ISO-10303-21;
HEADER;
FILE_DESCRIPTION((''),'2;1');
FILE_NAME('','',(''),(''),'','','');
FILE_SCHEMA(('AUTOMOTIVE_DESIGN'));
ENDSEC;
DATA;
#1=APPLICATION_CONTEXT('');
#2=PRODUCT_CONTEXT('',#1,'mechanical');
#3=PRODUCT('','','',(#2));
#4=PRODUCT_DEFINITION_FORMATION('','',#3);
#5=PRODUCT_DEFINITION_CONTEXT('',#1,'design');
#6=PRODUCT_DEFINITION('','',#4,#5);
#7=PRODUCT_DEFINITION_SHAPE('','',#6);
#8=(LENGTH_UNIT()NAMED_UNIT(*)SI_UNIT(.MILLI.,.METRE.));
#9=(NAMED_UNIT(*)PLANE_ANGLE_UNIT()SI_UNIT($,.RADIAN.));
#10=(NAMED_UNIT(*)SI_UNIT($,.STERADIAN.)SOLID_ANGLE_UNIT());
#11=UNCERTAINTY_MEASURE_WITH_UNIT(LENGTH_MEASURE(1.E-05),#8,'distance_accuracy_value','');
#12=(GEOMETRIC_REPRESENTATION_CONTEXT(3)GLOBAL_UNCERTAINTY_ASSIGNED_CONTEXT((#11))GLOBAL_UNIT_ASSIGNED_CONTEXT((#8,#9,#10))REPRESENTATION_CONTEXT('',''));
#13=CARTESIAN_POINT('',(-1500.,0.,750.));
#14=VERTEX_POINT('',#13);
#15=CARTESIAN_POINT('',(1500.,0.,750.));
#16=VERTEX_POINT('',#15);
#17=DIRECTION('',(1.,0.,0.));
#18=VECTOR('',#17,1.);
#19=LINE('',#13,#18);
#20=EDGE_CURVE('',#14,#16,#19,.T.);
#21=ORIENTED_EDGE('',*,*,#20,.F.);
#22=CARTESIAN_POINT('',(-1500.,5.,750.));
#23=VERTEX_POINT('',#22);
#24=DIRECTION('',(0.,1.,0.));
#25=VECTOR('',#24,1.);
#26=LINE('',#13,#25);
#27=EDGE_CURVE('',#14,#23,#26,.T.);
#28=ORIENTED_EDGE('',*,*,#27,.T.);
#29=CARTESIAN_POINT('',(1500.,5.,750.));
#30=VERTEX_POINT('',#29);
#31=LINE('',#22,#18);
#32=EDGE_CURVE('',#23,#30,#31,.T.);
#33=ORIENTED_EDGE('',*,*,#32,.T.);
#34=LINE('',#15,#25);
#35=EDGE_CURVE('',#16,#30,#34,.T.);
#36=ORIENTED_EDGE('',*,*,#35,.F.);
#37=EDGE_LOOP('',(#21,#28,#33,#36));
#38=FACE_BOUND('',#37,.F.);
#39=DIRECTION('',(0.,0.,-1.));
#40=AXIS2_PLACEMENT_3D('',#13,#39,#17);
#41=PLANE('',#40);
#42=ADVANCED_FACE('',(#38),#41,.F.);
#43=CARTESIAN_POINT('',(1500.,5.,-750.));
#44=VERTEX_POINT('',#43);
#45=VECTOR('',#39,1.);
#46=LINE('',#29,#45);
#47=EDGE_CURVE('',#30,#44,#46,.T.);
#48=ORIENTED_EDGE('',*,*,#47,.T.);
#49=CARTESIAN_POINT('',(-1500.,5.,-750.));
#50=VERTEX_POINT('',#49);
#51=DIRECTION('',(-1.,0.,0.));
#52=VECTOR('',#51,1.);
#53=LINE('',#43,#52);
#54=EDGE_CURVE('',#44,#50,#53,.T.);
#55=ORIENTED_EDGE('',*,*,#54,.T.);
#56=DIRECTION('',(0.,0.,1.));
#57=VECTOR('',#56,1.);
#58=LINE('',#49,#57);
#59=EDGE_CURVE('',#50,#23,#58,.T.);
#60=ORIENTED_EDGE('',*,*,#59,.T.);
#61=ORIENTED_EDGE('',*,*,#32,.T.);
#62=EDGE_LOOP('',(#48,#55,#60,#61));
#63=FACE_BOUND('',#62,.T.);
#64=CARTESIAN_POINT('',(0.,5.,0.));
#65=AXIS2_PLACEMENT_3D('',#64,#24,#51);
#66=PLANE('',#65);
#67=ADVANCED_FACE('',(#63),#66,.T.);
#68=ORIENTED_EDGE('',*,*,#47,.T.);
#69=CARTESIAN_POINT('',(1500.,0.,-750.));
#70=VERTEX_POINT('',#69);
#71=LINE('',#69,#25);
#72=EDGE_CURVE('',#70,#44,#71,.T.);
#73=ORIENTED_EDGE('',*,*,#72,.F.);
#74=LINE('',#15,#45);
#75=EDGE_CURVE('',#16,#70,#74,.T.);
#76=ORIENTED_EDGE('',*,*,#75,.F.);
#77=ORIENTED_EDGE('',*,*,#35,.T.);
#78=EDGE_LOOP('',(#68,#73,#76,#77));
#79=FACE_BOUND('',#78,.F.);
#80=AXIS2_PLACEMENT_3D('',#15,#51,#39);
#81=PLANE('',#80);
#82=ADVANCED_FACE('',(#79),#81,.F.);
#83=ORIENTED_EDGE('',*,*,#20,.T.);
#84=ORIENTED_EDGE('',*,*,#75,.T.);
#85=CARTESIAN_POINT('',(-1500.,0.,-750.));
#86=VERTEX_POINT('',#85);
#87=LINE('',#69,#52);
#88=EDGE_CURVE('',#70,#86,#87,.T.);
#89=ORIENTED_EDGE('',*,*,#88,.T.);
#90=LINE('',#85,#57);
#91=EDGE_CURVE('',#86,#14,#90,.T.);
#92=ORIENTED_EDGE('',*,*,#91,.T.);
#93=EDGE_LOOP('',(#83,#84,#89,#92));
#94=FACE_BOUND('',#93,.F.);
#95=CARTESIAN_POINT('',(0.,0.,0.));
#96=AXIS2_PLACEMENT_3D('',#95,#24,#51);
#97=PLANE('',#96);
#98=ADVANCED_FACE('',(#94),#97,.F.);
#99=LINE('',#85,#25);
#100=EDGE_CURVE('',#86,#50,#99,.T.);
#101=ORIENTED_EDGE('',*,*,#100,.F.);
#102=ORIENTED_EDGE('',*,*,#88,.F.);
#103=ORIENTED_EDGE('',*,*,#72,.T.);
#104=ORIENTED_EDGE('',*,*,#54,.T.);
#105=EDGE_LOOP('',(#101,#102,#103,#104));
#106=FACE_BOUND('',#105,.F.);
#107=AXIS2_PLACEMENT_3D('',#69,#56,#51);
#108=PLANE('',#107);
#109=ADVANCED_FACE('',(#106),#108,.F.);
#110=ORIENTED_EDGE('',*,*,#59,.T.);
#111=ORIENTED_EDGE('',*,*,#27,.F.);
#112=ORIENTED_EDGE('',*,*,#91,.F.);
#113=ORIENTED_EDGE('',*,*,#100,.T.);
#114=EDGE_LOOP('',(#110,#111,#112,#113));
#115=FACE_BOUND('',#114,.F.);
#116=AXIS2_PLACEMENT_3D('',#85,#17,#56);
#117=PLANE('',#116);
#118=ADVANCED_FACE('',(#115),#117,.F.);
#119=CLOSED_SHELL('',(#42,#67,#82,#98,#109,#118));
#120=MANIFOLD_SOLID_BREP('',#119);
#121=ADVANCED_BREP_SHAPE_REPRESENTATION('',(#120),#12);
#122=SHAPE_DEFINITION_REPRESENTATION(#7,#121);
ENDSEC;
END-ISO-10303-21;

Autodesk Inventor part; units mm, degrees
ref_plane "YZ Plane" through (0, 0, 0) normal (1, 0, 0) x (0, 1, 0)
ref_plane "XZ Plane" through (0, 0, 0) normal (0, 1, 0) x (-1, 0, 0)
ref_plane "XY Plane" through (0, 0, 0) normal (0, 0, 1) x (1, 0, 0)
sketch "Эскиз1" plane through (0, 0, 0) normal (0, 1, 0) x (-1, 0, 0)
  line L0 (1500, 750) -> (-1500, 750)
  line L1 (-1500, 750) -> (-1500, -750)
  line L2 (-1500, -750) -> (1500, -750)
  line L3 (1500, -750) -> (1500, 750)
  line L4 (1500, 750) -> (-1500, -750) construction
  line L5 (-1500, 750) -> (1500, -750) construction
  point P0 (0, 0)
  dimension "d0" = 3000
  dimension "d1" = 1500
extrude "Пластина1" add sketch "Эскиз1" along normal blind 5
equation "\"d2\" = Толщина"
equation "\"Радиус_гибки\" = Толщина"
equation "\"Ширина_просечки\" = Толщина"
equation "\"Глубина_просечки\" = 0.5 * Толщина"
equation "\"Радиус_перехода\" = Радиус_гибки"
equation "\"Радиус_Якоби\" = Радиус_гибки"
equation "\"Размер_зазора\" = Толщина"
equation "\"Толщина\" = 5"
properties part number "0921_CPY1"
